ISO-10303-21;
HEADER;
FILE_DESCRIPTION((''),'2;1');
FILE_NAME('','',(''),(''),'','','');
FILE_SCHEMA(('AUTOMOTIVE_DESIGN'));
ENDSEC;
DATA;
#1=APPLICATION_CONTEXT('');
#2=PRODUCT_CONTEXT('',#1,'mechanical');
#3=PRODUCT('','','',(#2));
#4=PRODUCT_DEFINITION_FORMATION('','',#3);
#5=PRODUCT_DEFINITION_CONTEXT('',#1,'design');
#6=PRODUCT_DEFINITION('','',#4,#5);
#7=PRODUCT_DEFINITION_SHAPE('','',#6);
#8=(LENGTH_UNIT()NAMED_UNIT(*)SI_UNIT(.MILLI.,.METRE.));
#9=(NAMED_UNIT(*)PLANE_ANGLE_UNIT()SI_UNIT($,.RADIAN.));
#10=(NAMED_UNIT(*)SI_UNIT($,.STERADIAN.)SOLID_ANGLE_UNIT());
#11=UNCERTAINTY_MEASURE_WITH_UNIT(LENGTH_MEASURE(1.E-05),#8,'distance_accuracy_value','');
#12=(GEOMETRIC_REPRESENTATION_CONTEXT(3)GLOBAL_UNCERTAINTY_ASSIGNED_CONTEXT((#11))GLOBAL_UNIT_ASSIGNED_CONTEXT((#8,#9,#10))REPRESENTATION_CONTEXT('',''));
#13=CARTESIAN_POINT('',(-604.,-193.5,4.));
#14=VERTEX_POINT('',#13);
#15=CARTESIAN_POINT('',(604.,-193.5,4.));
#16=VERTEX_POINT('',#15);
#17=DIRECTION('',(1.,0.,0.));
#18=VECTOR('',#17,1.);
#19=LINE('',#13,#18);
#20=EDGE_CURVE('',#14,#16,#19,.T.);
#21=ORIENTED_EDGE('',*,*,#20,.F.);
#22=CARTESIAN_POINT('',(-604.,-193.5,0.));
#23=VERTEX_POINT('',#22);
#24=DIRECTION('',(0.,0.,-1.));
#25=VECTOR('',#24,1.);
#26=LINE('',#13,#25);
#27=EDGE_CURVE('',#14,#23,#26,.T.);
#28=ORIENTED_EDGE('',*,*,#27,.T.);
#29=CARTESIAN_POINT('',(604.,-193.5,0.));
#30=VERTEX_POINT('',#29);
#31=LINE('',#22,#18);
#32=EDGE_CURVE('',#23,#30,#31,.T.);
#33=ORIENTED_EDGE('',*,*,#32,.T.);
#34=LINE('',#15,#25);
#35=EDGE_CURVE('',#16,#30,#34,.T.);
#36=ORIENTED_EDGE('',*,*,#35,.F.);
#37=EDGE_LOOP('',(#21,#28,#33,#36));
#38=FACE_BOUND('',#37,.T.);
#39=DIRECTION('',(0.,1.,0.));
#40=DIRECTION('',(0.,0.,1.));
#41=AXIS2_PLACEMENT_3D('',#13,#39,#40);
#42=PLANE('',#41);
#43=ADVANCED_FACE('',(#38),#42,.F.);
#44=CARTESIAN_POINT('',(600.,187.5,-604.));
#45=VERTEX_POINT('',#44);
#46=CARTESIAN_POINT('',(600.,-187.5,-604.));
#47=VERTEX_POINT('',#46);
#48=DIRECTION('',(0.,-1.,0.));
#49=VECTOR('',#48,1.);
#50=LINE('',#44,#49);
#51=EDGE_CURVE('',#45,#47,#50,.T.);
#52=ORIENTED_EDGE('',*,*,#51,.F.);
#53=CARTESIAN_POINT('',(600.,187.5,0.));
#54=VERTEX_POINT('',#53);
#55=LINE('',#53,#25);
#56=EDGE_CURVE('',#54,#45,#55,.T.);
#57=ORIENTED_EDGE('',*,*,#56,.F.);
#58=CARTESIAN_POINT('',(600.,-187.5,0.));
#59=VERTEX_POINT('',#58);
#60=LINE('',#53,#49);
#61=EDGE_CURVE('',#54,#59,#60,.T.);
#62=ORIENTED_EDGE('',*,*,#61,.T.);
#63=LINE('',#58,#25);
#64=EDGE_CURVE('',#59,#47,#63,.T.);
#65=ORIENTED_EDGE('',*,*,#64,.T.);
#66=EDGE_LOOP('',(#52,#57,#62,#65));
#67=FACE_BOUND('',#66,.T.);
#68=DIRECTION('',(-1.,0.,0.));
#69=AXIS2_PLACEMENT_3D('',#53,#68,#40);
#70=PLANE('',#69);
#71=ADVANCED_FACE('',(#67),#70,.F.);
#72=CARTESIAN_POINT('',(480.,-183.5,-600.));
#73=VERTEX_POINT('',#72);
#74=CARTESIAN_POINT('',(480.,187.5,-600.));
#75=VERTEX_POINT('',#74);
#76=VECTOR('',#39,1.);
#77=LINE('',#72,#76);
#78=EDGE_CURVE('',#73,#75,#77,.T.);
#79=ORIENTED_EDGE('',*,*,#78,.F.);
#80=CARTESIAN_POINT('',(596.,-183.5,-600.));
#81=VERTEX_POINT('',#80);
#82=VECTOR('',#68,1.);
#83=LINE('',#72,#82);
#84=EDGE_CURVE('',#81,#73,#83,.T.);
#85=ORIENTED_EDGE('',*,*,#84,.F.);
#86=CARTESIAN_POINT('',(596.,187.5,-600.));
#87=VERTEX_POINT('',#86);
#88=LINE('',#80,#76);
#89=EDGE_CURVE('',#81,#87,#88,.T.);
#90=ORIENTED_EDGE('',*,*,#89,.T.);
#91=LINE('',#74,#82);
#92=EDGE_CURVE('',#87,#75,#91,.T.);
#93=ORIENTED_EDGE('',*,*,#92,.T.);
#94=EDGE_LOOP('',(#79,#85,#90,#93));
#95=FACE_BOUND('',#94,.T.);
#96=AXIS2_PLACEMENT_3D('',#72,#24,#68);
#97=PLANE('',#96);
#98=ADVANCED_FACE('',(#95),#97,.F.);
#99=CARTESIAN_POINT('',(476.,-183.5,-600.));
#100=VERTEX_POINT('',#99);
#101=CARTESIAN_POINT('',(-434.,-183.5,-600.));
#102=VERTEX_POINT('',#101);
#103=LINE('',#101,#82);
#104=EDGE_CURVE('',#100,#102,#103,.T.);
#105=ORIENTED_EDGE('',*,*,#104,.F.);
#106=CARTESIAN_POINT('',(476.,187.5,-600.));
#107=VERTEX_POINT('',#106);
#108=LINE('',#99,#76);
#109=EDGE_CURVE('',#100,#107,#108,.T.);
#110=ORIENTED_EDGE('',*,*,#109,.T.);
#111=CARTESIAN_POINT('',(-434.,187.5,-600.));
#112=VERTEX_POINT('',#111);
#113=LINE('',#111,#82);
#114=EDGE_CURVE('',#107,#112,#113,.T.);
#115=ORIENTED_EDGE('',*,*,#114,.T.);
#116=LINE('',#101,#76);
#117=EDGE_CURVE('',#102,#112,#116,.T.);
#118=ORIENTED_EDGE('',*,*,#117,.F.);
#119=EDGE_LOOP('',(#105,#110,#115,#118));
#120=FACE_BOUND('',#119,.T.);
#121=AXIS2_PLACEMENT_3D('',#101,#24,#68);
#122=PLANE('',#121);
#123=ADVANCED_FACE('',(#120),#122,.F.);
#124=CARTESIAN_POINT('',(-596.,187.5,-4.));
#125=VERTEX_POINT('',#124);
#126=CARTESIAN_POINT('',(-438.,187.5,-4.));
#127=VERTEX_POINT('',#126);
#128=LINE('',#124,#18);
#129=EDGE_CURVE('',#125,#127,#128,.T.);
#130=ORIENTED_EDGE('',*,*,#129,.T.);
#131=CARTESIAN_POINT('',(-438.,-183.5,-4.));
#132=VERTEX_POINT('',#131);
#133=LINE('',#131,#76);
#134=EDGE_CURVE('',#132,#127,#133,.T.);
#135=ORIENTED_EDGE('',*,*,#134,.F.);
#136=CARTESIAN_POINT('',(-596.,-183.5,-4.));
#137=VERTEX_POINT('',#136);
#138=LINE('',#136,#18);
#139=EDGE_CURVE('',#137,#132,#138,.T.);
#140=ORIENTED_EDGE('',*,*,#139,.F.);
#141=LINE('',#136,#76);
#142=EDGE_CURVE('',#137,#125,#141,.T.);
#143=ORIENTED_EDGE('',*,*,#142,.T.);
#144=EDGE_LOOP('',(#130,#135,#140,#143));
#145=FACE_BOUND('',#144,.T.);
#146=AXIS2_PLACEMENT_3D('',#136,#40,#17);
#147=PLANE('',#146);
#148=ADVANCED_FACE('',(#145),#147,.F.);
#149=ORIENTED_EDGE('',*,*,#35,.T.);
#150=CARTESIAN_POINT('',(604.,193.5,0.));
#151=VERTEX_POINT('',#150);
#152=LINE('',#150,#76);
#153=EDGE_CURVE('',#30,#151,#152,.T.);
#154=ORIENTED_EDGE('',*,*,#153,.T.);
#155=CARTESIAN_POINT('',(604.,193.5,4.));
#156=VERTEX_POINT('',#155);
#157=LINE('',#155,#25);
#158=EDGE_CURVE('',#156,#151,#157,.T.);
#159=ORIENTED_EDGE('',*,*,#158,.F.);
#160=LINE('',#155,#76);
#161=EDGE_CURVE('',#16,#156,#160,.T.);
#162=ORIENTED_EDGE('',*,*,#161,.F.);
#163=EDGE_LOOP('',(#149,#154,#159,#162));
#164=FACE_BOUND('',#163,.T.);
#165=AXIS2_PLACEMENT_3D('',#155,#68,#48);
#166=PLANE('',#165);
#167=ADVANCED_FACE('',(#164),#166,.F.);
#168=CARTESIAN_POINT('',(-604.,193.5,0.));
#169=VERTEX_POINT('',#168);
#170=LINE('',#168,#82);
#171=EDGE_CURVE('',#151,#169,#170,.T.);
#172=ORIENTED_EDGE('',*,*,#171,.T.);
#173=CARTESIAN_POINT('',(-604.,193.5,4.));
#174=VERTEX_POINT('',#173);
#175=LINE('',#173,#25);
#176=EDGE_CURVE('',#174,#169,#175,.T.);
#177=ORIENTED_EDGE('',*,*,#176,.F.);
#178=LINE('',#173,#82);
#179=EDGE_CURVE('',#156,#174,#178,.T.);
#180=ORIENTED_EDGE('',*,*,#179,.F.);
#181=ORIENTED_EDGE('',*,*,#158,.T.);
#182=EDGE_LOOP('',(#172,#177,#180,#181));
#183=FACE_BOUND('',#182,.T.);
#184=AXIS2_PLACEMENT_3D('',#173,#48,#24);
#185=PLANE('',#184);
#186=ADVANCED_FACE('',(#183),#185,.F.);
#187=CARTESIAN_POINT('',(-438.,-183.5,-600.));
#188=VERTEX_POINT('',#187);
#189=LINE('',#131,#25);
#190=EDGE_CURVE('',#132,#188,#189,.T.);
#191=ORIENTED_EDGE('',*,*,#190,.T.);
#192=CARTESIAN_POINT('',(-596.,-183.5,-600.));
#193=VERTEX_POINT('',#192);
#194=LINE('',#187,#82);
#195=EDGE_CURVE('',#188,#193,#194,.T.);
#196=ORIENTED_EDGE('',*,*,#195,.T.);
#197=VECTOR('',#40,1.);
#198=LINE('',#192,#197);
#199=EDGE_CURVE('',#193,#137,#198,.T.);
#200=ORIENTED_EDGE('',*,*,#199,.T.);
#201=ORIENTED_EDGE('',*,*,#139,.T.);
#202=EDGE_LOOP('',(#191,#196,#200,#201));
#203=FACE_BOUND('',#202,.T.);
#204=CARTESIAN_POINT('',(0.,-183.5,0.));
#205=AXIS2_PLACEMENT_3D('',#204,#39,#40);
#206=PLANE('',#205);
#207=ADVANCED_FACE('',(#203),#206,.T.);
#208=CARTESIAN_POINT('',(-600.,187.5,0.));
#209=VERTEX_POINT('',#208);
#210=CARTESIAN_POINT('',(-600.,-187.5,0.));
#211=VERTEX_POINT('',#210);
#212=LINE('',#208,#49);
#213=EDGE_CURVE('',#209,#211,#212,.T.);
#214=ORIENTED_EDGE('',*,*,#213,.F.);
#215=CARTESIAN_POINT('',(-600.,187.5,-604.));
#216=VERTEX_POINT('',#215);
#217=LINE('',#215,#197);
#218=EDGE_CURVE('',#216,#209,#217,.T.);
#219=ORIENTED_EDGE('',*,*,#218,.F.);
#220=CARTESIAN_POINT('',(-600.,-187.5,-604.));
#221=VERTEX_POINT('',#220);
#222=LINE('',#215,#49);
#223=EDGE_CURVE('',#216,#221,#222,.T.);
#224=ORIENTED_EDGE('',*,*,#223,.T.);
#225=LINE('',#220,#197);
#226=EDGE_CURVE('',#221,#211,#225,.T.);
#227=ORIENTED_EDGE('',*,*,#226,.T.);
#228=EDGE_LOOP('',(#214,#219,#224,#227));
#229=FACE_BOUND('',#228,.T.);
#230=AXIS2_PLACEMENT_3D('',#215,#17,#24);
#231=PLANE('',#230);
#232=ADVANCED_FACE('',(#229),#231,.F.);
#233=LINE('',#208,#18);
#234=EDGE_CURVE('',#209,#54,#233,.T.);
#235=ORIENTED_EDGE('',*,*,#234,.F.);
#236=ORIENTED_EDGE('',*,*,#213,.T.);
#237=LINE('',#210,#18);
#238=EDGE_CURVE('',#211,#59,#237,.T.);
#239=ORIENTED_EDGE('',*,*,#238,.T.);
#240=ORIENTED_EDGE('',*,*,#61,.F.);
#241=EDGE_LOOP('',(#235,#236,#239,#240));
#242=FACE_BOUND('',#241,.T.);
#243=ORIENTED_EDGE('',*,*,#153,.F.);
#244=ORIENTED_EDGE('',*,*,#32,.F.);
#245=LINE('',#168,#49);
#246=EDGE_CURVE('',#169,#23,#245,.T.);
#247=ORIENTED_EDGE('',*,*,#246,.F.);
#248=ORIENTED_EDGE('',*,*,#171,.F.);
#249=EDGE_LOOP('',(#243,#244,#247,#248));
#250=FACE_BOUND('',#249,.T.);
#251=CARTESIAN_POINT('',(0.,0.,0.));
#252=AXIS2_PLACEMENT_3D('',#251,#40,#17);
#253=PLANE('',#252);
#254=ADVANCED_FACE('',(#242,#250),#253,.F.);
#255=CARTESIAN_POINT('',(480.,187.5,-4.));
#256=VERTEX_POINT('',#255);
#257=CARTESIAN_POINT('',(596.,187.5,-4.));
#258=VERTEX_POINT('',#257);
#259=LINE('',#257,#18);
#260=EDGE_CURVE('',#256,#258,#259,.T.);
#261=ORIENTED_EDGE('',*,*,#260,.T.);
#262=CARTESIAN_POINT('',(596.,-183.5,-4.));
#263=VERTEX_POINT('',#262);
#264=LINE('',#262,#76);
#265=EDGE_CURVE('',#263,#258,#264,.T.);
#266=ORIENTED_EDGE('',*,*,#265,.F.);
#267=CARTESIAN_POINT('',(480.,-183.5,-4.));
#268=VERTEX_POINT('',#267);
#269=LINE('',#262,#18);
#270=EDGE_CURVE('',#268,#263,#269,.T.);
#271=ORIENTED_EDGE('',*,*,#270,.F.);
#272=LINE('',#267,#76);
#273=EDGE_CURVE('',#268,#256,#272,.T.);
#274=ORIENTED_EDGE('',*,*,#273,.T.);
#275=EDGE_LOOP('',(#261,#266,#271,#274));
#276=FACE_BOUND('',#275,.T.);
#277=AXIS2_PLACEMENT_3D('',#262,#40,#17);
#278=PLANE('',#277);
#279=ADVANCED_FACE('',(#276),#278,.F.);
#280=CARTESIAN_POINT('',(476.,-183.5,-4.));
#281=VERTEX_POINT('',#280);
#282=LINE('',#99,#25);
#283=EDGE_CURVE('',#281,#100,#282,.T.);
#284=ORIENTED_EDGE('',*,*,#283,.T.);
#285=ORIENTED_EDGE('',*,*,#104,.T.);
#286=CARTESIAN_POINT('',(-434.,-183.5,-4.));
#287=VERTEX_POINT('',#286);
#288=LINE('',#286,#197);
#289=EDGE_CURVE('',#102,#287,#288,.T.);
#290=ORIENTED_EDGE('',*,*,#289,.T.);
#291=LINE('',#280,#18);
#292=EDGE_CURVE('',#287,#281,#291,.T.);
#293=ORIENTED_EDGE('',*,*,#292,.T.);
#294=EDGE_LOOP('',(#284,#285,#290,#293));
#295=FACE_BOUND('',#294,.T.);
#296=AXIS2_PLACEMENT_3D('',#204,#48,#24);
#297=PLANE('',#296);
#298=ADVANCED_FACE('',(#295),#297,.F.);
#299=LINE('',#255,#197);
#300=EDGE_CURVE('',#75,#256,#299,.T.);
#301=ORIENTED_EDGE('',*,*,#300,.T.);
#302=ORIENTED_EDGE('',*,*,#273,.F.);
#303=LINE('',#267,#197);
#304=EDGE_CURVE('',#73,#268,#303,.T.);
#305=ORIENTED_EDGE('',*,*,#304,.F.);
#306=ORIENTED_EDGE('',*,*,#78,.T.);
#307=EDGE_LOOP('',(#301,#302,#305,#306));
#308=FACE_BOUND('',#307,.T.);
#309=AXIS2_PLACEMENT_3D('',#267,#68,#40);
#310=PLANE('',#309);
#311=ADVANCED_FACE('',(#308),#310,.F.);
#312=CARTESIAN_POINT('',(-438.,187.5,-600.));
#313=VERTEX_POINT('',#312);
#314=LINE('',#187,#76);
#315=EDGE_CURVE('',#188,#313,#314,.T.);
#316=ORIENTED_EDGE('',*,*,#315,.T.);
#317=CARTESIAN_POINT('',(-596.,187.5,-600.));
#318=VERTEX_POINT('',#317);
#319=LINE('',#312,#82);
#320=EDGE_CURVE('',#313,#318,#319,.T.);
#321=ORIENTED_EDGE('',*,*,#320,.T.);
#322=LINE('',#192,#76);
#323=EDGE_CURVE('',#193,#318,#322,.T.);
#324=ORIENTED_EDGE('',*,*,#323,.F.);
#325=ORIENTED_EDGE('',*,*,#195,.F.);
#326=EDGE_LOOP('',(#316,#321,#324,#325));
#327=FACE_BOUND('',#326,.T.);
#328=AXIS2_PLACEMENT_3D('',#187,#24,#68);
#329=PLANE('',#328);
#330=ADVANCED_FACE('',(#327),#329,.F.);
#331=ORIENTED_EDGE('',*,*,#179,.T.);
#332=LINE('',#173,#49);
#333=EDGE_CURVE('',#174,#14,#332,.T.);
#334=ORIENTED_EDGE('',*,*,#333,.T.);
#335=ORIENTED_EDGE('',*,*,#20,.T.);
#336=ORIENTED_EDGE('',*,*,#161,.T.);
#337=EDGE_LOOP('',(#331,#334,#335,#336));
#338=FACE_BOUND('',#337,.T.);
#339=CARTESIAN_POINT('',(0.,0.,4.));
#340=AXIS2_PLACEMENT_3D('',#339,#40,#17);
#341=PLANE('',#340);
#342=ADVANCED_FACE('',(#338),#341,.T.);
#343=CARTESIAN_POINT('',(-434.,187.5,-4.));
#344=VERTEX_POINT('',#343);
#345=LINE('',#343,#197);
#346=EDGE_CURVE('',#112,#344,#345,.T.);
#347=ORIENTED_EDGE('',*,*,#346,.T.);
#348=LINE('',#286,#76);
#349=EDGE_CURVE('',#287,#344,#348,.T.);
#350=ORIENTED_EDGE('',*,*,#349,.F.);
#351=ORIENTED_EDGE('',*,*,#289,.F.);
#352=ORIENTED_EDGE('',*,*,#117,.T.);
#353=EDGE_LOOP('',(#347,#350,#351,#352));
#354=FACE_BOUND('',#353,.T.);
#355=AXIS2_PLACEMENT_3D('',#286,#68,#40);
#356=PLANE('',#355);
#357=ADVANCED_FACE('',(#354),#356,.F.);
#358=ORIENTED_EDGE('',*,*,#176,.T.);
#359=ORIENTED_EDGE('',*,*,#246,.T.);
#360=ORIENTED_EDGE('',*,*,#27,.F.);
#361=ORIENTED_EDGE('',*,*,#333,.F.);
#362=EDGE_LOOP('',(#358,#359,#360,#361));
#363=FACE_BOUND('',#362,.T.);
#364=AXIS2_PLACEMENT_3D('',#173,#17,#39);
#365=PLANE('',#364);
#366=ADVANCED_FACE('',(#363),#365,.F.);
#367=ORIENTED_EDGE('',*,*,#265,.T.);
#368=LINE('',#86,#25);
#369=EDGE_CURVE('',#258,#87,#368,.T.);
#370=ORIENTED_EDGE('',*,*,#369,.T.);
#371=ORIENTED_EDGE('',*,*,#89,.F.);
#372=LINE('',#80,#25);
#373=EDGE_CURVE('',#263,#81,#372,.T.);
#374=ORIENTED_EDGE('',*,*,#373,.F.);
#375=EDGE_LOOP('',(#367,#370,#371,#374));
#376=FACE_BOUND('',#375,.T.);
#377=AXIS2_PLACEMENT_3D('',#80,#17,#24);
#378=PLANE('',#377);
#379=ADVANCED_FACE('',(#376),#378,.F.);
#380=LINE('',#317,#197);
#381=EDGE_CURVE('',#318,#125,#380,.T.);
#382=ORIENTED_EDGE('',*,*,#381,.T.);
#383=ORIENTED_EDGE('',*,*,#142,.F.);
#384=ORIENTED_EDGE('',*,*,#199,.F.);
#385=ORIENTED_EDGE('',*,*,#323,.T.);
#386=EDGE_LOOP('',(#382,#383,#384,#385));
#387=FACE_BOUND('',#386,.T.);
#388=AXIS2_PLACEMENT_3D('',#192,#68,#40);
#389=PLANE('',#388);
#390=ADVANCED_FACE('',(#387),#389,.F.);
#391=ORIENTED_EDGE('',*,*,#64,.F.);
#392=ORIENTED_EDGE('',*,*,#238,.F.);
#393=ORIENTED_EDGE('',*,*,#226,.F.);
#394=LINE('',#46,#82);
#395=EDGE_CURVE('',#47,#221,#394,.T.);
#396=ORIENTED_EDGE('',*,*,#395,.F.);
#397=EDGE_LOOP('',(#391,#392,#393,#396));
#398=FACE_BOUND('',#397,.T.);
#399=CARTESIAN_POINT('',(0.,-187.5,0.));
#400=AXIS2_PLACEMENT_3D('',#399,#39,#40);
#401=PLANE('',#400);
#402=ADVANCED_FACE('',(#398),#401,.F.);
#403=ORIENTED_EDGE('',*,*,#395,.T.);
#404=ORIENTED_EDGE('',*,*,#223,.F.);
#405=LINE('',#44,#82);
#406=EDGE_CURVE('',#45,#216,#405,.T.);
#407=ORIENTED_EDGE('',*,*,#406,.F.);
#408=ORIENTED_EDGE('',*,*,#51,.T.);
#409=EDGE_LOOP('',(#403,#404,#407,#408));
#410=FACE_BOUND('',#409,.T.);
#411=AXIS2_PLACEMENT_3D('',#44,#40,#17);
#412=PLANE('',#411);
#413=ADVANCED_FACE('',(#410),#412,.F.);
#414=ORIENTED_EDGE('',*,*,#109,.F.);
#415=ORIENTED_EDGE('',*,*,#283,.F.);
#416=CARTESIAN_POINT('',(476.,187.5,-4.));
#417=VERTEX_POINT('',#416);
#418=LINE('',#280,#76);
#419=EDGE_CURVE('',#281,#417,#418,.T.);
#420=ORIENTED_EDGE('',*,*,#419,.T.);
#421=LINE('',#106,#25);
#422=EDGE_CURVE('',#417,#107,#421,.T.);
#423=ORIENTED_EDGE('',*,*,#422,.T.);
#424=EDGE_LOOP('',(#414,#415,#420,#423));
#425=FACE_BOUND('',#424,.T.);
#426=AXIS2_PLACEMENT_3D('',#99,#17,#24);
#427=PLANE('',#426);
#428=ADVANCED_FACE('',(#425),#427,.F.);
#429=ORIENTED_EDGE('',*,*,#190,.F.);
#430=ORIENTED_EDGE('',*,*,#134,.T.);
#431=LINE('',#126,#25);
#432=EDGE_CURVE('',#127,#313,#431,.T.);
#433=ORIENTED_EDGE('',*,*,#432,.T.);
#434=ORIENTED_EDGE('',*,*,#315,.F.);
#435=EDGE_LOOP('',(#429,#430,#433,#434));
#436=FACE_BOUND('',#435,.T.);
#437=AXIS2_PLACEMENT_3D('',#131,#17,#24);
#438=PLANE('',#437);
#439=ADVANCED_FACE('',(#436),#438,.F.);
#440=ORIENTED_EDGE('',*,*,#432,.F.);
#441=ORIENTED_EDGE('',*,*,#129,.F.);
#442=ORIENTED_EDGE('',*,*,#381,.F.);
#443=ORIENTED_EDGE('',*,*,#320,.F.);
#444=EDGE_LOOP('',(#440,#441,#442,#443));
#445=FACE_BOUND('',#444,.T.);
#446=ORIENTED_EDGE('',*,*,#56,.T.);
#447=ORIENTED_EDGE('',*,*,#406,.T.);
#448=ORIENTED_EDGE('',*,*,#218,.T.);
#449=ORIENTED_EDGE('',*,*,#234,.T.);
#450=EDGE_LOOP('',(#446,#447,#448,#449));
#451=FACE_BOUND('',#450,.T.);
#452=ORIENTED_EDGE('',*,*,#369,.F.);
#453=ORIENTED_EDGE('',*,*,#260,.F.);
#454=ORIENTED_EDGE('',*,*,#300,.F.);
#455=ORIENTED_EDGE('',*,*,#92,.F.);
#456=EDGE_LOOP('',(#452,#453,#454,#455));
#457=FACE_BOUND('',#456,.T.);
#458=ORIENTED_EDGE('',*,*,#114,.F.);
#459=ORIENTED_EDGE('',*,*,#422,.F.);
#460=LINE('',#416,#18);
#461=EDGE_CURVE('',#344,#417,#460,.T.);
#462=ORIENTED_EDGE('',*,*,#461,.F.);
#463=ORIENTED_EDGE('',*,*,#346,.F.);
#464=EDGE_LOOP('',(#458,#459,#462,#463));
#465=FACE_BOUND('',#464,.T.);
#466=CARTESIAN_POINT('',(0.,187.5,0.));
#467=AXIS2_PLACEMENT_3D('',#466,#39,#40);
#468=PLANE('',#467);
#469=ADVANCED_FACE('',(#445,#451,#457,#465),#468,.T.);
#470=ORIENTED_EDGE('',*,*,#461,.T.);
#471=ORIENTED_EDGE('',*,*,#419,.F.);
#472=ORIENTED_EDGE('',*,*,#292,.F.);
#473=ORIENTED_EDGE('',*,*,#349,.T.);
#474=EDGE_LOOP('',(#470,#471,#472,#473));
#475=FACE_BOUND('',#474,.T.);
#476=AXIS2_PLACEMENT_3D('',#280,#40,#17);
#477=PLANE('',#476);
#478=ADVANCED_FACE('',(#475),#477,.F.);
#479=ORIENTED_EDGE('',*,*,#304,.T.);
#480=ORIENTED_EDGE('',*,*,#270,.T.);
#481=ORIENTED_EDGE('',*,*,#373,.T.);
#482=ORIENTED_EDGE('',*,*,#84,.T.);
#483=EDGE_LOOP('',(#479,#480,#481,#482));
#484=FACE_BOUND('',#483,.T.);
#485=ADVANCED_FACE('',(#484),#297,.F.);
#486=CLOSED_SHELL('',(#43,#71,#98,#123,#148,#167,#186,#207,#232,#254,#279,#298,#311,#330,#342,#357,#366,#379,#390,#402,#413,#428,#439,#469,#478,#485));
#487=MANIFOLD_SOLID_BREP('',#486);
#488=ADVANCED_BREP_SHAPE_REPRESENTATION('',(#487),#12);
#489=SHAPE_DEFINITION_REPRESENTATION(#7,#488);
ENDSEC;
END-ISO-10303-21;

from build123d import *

# Parameters (mm, degrees)
SKETCH1_W           = 1208
SKETCH1_H           = 387
BOSS_EXTRUDE1_DEPTH = 4
SKETCH2_W           = 1200
SKETCH2_H           = 604
BOSS_EXTRUDE2_DEPTH = 375
SKETCH3_W           = 158
SKETCH3_H           = 596
SKETCH3_W_2         = 910
SKETCH3_W_3         = 116
CUT_EXTRUDE1_DEPTH  = 371


with BuildPart() as part:
    # Sketch1 → Boss-Extrude1 (new body)
    with BuildSketch(Plane.XY):
        Rectangle(SKETCH1_W, SKETCH1_H)
    extrude(amount=BOSS_EXTRUDE1_DEPTH)

    # Sketch2 → Boss-Extrude2 (add)
    with BuildSketch(Plane(origin=(0, -187.5, 0), x_dir=(1, 0, 0), z_dir=(0, 1, 0))):
        with Locations((0, 302)):
            Rectangle(SKETCH2_W, SKETCH2_H)
    extrude(amount=BOSS_EXTRUDE2_DEPTH)

    # Sketch3 → Cut-Extrude1 (cut)
    with BuildSketch(Plane(origin=(0, 187.5, 0), x_dir=(1, 0, 0), z_dir=(0, 1, 0))):
        with Locations((-517, 302)):
            Rectangle(SKETCH3_W, SKETCH3_H)
        with Locations((21, 302)):
            Rectangle(SKETCH3_W_2, SKETCH3_H)
        with Locations((538, 302)):
            Rectangle(SKETCH3_W_3, SKETCH3_H)
    extrude(amount=-CUT_EXTRUDE1_DEPTH, mode=Mode.SUBTRACT)


solid = part.part
